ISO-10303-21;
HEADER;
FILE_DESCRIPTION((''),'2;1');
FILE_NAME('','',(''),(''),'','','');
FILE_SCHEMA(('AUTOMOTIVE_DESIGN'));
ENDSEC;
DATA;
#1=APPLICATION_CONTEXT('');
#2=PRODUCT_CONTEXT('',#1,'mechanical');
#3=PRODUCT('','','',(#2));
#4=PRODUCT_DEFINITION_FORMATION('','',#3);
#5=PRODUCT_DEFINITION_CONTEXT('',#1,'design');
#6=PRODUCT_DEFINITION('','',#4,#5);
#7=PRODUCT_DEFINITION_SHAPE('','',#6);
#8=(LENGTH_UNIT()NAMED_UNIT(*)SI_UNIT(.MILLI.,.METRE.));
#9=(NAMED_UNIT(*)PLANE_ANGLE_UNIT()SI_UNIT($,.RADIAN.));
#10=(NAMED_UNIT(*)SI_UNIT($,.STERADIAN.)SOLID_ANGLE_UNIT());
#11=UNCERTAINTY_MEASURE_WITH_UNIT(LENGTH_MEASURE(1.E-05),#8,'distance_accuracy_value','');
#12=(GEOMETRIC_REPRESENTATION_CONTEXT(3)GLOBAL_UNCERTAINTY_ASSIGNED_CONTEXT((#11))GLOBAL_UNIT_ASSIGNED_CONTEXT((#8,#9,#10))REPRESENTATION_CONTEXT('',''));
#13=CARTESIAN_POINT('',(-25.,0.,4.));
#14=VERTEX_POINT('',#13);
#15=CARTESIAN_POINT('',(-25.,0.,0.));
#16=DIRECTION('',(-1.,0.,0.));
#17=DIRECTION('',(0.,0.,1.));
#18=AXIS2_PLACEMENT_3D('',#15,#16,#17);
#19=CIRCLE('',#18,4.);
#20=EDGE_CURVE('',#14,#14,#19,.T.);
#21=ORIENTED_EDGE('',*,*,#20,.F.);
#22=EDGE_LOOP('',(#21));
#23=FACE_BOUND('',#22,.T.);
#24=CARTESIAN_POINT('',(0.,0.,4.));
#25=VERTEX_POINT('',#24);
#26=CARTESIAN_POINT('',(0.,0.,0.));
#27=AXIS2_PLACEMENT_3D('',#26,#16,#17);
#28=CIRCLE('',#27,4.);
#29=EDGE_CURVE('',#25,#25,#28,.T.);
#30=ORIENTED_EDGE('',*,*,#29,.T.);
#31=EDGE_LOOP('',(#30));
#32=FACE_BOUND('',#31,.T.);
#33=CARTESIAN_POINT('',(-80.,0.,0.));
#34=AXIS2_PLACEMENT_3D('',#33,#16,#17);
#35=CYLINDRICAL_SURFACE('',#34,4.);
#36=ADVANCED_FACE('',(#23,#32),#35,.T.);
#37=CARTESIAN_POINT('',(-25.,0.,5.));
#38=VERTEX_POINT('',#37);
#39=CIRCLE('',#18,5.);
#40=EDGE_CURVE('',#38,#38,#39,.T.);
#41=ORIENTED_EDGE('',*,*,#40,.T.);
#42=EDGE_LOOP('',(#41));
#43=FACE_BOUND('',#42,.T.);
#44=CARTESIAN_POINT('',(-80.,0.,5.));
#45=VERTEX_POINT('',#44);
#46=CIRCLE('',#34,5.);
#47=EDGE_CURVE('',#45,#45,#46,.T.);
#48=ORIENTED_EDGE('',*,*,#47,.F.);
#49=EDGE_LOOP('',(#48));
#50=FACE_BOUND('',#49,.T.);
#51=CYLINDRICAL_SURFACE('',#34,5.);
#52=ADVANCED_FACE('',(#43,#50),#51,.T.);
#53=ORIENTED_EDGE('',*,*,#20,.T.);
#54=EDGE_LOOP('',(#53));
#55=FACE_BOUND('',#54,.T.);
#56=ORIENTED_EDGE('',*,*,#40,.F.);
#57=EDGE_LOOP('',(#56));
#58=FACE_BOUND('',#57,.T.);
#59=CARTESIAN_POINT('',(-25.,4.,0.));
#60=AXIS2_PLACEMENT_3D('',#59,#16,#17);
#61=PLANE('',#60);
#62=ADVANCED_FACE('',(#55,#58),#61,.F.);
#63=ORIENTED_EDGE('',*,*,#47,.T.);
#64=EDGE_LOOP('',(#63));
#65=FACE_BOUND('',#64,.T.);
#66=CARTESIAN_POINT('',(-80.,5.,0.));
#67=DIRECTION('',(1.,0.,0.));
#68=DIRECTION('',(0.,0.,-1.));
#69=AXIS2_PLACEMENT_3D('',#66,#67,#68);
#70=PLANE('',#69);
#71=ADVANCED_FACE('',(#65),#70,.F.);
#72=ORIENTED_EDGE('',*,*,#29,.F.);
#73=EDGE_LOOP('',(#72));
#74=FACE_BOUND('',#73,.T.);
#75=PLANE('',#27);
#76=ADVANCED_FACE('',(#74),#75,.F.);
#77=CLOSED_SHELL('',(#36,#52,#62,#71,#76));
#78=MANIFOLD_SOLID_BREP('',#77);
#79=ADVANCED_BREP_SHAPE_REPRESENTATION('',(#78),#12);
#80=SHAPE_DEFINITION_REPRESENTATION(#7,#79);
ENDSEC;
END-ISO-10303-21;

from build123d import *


with BuildPart() as part:
    # Sketch1 → Revolve1 (revolve)
    with BuildSketch(Plane.XY, mode=Mode.PRIVATE) as revolve1_sk:
        Polygon((0, 0), (0, 4), (-25, 4), (-25, 5), (-80, 5), (-80, 0), align=None)
    revolve(revolve1_sk.sketch.rotate(Axis((-80, 0, 0), (1, 0, 0)), 90), axis=Axis((-80, 0, 0), (1, 0, 0)))


solid = part.part
